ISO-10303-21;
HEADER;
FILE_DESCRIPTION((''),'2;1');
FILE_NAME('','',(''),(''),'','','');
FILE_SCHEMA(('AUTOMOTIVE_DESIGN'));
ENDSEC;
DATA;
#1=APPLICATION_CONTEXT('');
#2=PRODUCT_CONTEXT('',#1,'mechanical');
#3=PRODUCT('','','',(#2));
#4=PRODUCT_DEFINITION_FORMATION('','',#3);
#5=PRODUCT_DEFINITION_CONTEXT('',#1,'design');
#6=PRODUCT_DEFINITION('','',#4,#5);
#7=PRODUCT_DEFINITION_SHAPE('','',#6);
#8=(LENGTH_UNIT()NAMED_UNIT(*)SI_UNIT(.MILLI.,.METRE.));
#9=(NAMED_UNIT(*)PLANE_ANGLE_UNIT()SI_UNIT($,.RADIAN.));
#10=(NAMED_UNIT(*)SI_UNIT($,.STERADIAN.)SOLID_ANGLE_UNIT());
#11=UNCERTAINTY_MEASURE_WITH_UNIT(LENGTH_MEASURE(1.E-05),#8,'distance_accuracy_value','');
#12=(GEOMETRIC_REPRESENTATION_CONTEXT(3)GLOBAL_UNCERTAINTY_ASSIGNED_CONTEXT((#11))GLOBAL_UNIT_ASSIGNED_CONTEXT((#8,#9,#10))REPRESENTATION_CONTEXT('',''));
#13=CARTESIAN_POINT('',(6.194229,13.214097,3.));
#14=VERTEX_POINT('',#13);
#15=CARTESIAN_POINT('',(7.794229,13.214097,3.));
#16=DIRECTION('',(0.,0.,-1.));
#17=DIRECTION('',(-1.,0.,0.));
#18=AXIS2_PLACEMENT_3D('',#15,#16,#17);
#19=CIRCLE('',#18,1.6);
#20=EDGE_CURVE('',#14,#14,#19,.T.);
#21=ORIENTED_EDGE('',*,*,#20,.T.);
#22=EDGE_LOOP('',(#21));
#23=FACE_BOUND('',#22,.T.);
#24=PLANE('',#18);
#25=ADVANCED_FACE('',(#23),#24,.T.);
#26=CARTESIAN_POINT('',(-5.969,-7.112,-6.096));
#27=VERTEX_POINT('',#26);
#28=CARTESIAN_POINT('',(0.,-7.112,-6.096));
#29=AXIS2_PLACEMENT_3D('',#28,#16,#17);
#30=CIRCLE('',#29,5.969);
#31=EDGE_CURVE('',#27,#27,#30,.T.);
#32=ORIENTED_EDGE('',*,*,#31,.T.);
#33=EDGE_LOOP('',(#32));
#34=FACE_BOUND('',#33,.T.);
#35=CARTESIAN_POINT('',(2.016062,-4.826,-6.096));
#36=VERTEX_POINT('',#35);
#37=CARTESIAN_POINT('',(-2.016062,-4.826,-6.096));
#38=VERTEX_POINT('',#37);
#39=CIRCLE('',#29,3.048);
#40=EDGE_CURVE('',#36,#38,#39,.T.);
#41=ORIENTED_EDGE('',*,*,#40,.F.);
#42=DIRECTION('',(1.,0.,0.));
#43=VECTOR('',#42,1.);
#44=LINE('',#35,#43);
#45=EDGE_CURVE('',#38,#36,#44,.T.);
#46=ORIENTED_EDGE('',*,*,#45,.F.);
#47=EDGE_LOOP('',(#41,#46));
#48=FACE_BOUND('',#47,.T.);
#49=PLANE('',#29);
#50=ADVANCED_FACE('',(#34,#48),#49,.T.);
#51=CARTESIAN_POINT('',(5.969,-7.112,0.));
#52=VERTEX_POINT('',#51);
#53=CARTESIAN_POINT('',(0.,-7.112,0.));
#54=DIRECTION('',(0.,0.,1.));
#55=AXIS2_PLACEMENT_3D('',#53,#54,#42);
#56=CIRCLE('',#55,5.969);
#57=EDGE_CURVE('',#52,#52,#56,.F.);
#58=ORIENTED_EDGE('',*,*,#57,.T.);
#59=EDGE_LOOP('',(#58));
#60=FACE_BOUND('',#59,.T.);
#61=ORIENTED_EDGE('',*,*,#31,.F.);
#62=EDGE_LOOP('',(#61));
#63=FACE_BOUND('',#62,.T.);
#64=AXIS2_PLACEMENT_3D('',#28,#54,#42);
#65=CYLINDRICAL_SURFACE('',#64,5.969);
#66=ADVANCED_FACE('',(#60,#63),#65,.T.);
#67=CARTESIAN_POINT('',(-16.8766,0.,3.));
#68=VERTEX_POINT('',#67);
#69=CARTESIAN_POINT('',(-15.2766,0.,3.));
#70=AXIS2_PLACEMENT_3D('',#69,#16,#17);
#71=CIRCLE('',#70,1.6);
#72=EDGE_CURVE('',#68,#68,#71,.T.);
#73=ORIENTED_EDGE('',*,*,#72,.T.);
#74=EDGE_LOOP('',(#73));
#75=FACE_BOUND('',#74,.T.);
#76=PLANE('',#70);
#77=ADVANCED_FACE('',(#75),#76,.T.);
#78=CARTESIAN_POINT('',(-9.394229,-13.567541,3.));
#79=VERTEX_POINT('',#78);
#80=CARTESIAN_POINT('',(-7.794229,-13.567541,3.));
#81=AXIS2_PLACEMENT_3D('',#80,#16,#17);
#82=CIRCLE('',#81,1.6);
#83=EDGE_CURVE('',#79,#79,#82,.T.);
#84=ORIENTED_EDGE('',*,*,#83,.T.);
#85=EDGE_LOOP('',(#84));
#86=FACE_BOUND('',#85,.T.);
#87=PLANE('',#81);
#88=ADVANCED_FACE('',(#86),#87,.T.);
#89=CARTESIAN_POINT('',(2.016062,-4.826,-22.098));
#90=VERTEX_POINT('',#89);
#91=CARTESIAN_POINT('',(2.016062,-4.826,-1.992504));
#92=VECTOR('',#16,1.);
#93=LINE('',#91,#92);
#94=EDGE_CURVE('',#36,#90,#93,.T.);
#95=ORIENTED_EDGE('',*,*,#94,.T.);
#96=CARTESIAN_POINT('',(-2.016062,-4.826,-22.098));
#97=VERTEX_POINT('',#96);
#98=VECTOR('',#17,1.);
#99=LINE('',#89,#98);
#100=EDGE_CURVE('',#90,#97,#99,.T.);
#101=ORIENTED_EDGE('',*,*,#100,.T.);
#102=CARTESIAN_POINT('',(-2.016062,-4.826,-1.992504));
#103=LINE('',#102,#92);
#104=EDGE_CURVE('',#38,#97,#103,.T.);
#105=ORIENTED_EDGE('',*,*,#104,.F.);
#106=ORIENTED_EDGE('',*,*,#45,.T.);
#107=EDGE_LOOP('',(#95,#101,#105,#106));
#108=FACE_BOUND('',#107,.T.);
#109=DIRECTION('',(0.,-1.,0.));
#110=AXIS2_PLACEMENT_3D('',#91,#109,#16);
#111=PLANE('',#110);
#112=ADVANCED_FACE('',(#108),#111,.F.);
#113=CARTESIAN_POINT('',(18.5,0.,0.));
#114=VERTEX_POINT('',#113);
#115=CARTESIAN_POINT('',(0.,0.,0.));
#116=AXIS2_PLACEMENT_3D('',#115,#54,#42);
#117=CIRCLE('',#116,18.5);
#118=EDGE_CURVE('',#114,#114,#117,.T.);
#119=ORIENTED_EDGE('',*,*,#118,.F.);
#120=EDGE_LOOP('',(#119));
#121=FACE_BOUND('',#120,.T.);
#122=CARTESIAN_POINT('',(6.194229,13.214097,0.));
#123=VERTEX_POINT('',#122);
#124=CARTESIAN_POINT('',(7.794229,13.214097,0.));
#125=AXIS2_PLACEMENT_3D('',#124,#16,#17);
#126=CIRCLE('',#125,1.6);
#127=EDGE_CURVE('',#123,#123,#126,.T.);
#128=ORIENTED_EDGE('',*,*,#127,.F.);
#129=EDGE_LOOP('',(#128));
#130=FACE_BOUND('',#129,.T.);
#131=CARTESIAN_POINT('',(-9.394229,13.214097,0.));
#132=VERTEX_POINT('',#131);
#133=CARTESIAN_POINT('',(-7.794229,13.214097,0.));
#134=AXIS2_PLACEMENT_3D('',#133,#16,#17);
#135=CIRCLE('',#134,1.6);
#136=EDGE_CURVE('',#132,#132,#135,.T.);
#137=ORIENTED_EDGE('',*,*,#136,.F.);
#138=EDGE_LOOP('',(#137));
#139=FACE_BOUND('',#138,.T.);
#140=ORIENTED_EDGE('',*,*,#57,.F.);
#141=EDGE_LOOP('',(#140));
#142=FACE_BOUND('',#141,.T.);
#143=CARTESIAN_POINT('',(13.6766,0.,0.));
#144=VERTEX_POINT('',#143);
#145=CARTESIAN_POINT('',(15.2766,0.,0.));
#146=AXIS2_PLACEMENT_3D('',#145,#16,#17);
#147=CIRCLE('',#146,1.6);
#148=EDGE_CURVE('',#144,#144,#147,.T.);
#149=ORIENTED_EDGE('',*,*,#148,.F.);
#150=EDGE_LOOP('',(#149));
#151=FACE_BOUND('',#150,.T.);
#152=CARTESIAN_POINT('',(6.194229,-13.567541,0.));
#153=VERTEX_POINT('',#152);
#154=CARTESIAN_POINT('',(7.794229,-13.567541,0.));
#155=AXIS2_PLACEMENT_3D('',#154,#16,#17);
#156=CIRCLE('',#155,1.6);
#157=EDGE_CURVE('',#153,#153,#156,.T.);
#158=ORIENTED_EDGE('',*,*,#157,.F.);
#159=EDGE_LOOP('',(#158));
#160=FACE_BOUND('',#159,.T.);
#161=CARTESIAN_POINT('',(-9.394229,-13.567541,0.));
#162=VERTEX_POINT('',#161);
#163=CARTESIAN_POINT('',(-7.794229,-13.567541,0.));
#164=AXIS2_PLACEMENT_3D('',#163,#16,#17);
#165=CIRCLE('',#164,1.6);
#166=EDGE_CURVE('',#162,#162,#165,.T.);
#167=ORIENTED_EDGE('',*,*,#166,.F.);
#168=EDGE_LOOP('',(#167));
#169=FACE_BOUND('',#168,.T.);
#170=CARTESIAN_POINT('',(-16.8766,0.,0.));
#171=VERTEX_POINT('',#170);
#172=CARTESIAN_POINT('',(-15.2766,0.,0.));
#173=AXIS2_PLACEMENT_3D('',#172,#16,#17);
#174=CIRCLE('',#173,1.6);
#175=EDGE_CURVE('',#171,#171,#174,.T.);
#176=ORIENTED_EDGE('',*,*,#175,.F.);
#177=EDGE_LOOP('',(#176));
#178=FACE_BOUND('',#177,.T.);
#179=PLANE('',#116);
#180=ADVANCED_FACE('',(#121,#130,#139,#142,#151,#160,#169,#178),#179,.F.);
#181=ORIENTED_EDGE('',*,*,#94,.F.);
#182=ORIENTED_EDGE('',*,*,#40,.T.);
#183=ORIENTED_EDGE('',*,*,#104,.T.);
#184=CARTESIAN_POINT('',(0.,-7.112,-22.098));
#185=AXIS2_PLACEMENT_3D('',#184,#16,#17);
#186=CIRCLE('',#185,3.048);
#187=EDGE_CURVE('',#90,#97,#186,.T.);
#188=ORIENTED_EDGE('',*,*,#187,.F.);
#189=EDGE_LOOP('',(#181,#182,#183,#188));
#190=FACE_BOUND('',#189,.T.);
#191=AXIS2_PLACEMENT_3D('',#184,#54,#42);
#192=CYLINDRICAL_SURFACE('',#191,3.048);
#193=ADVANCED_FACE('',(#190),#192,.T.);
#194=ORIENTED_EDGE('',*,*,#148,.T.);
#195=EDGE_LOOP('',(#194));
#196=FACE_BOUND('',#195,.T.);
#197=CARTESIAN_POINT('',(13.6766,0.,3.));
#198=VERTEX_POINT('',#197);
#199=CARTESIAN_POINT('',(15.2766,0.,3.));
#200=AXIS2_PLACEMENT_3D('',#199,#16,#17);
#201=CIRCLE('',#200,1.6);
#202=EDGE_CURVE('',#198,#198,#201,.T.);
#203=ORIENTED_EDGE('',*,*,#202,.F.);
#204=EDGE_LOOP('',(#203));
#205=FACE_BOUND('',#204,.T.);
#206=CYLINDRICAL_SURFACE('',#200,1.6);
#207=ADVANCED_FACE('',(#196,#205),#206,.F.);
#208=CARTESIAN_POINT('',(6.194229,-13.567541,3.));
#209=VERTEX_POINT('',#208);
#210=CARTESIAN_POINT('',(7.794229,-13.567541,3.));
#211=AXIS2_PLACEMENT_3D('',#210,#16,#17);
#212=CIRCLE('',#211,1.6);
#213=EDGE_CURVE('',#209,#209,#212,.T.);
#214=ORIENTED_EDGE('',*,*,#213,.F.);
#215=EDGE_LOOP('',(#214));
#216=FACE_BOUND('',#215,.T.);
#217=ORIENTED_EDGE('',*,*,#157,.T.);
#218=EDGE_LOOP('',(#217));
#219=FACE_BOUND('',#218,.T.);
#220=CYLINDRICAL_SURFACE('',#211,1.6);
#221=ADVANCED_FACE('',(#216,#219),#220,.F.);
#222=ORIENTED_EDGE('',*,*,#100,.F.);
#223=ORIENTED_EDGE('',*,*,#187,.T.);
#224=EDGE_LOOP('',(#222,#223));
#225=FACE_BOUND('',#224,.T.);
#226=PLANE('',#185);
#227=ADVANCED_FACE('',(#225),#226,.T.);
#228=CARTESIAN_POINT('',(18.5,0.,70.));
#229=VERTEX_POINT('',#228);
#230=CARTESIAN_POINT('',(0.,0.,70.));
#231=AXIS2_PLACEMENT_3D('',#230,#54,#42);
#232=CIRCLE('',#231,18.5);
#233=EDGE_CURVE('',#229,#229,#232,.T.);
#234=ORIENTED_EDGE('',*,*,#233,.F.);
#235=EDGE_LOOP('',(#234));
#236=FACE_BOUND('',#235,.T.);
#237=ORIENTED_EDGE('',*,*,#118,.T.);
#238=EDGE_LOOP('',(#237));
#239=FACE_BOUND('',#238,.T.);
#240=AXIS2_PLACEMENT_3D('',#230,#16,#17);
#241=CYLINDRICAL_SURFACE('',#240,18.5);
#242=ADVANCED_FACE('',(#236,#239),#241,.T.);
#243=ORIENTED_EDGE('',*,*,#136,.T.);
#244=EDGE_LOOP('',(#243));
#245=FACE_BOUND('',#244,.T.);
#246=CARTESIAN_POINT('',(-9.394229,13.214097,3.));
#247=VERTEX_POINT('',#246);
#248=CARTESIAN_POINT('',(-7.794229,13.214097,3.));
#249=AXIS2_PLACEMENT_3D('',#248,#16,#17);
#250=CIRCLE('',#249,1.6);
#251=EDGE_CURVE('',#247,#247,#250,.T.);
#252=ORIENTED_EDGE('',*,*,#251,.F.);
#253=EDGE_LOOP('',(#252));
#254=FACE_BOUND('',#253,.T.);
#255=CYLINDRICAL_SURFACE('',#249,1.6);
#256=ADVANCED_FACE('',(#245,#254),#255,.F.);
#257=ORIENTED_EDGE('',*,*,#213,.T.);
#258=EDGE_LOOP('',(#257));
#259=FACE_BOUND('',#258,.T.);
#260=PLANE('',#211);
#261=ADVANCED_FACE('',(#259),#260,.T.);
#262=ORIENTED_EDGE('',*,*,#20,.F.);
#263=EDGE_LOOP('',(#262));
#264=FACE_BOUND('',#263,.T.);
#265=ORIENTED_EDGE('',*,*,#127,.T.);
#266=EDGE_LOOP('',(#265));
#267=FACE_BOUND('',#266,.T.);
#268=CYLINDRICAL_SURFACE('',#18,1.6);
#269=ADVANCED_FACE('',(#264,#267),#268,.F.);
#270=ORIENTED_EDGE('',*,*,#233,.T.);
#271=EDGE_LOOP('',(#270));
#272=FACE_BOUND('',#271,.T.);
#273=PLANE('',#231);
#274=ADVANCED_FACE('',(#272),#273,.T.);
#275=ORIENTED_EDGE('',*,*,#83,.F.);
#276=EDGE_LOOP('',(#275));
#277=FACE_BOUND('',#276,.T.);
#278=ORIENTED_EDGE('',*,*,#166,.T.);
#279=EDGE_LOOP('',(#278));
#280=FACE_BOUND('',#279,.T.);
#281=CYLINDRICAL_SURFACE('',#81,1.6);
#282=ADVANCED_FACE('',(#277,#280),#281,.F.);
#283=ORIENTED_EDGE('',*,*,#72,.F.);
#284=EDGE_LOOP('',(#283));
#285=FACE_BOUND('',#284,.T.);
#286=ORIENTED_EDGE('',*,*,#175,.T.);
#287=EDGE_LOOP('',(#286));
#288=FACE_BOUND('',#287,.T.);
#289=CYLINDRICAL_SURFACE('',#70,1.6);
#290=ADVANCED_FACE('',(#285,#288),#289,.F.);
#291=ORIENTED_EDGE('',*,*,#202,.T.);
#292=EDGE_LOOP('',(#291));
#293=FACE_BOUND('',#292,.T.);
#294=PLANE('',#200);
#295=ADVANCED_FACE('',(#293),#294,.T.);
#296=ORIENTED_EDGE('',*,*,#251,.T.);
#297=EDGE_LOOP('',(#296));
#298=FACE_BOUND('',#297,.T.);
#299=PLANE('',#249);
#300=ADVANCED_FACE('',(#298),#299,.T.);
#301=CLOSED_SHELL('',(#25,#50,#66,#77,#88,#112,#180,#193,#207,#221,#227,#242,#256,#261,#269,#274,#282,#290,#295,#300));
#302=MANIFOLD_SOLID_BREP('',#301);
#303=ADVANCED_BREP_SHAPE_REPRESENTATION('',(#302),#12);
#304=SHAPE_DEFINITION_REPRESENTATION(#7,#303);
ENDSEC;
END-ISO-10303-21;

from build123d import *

# Parameters (mm, degrees)
SKETCH1_R           = 18.5
BOSS_EXTRUDE1_DEPTH = 70
SKETCH2_R           = 5.969
BOSS_EXTRUDE2_DEPTH = 6.096
SKETCH3_R           = 3.048
BOSS_EXTRUDE3_DEPTH = 16.002
SKETCH4_R           = 1.6
CUT_EXTRUDE1_DEPTH  = 3
SKETCH5_W           = 4.032124998
SKETCH5_H           = 0.762
CUT_EXTRUDE2_DEPTH  = 16.002


with BuildPart() as part:
    # Sketch1 → Boss-Extrude1 (new body)
    with BuildSketch(Plane.XY):
        Circle(SKETCH1_R)
    extrude(amount=BOSS_EXTRUDE1_DEPTH)

    # Sketch2 → Boss-Extrude2 (add)
    with BuildSketch(Plane(origin=(0, 0, 0), x_dir=(-1, 0, 0), z_dir=(0, 0, -1))):
        with Locations((0, -7.112)):
            Circle(SKETCH2_R)
    extrude(amount=BOSS_EXTRUDE2_DEPTH)

    # Sketch3 → Boss-Extrude3 (add)
    with BuildSketch(Plane(origin=(0, 0, -6.096), x_dir=(-1, 0, 0), z_dir=(0, 0, -1))):
        with Locations((0, -7.112)):
            Circle(SKETCH3_R)
    extrude(amount=BOSS_EXTRUDE3_DEPTH)

    # Sketch4 → Cut-Extrude1 (cut)
    with BuildSketch(Plane(origin=(0, 0, 0), x_dir=(-1, 0, 0), z_dir=(0, 0, -1))):
        with Locations((-15.2766, 0)):
            Circle(SKETCH4_R)
        with Locations((15.2766, 0)):
            Circle(SKETCH4_R)
        with Locations((7.794229315, -13.567540858)):
            Circle(SKETCH4_R)
        with Locations((-7.794229315, -13.567540858)):
            Circle(SKETCH4_R)
        with Locations((-7.794229315, 13.214096537)):
            Circle(SKETCH4_R)
        with Locations((7.794229315, 13.214096537)):
            Circle(SKETCH4_R)
    extrude(amount=-CUT_EXTRUDE1_DEPTH, mode=Mode.SUBTRACT)

    # Sketch5 → Cut-Extrude2 (cut)
    with BuildSketch(Plane(origin=(0, 0, -22.098), x_dir=(-1, 0, 0), z_dir=(0, 0, -1))):
        with Locations((0, -4.445)):
            Rectangle(SKETCH5_W, SKETCH5_H)
    extrude(amount=-CUT_EXTRUDE2_DEPTH, mode=Mode.SUBTRACT)


solid = part.part
